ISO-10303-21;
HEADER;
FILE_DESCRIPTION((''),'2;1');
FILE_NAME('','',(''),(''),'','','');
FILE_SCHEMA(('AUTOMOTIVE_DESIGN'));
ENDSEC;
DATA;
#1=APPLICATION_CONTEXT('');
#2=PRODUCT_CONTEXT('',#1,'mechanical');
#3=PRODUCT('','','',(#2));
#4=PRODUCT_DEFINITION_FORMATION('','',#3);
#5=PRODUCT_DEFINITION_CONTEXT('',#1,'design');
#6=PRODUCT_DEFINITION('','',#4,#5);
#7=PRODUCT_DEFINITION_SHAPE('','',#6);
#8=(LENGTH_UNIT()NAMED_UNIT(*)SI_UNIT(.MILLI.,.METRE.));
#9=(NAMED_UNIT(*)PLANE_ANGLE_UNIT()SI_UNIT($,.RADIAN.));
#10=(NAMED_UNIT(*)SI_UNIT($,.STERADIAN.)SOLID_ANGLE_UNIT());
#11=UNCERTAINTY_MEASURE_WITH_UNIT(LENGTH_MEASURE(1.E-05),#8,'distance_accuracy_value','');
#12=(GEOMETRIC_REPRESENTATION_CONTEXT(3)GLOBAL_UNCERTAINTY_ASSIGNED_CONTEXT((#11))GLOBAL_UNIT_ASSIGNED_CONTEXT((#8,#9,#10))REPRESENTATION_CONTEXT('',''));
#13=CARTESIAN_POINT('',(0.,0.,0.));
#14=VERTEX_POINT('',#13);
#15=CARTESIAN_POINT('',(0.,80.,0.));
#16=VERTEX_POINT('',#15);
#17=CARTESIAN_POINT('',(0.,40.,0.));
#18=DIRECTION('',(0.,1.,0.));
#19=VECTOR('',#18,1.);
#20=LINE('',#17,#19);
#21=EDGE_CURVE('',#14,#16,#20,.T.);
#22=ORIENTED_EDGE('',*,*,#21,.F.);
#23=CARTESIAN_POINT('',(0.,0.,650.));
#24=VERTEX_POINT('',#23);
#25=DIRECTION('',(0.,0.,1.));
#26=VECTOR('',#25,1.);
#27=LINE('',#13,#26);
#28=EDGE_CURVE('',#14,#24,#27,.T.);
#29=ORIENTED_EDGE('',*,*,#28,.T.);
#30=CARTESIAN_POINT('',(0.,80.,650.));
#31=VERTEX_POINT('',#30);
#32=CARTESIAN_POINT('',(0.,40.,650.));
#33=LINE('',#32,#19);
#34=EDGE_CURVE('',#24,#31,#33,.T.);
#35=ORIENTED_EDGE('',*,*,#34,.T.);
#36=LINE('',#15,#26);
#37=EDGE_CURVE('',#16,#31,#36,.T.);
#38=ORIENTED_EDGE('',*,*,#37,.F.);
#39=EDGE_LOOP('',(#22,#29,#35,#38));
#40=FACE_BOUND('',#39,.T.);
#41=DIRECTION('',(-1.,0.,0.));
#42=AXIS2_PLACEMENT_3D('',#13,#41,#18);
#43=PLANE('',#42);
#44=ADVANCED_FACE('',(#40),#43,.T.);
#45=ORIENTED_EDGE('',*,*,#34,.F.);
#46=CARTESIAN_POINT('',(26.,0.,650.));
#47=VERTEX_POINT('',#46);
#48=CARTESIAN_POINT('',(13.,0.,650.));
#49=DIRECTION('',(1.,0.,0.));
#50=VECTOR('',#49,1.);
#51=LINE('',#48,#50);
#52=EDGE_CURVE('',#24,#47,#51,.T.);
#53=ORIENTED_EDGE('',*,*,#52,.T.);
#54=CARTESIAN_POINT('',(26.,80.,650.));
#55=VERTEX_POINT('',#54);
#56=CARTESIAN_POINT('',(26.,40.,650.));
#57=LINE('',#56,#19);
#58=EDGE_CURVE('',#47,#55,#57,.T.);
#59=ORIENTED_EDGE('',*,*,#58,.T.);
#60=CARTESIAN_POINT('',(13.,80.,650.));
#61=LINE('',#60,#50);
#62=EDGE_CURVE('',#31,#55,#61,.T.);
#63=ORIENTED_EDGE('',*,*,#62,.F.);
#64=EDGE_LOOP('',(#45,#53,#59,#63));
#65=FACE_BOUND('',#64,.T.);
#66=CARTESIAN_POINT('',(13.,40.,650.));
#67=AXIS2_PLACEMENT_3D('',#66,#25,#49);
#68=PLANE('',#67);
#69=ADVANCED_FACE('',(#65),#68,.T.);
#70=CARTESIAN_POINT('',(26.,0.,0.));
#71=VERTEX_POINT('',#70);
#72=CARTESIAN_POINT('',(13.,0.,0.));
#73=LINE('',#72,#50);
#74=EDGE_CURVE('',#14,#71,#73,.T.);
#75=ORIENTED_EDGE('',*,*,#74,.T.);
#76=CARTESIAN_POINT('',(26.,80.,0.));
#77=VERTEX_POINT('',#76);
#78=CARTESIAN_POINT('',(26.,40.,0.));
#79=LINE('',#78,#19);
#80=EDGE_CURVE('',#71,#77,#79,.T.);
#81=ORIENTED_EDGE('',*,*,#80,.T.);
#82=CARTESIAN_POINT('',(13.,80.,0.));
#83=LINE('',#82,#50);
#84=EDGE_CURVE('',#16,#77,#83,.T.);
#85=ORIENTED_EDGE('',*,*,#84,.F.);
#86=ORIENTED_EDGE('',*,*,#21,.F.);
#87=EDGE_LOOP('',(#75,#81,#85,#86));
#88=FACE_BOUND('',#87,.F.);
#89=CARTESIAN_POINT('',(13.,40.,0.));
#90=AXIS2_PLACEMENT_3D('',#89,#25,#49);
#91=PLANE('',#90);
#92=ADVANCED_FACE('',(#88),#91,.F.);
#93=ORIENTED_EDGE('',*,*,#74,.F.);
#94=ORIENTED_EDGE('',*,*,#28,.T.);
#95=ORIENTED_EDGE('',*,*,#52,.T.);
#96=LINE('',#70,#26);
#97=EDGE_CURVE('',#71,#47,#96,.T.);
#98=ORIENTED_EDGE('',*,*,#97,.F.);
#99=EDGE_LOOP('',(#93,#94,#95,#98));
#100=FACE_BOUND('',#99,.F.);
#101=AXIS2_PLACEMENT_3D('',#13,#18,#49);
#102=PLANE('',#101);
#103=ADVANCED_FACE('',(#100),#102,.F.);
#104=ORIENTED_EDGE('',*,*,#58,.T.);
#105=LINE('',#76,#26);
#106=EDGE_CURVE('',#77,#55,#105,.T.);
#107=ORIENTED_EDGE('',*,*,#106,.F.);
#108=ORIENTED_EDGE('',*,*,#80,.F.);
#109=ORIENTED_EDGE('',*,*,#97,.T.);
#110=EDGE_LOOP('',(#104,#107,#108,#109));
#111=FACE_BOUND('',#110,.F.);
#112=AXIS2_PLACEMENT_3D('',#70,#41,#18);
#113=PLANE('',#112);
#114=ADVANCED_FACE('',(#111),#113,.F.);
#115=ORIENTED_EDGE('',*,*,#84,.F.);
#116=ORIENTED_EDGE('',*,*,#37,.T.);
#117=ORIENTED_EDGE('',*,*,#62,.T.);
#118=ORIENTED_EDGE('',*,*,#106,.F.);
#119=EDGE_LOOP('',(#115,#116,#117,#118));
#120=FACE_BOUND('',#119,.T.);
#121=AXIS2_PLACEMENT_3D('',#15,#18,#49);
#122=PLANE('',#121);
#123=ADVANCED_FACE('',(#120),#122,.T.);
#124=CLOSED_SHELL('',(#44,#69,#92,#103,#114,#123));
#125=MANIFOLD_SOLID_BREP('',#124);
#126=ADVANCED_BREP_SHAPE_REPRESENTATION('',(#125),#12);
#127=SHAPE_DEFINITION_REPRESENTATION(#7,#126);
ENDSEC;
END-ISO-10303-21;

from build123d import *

# Parameters (mm, degrees)
BOX_W     = 26
BOX_H     = 80
BOX_DEPTH = 650


with BuildPart() as part:
    # Box → Box (new body)
    with BuildSketch(Plane.XY):
        with Locations((13, 40)):
            Rectangle(BOX_W, BOX_H)
    extrude(amount=BOX_DEPTH)


solid = part.part
